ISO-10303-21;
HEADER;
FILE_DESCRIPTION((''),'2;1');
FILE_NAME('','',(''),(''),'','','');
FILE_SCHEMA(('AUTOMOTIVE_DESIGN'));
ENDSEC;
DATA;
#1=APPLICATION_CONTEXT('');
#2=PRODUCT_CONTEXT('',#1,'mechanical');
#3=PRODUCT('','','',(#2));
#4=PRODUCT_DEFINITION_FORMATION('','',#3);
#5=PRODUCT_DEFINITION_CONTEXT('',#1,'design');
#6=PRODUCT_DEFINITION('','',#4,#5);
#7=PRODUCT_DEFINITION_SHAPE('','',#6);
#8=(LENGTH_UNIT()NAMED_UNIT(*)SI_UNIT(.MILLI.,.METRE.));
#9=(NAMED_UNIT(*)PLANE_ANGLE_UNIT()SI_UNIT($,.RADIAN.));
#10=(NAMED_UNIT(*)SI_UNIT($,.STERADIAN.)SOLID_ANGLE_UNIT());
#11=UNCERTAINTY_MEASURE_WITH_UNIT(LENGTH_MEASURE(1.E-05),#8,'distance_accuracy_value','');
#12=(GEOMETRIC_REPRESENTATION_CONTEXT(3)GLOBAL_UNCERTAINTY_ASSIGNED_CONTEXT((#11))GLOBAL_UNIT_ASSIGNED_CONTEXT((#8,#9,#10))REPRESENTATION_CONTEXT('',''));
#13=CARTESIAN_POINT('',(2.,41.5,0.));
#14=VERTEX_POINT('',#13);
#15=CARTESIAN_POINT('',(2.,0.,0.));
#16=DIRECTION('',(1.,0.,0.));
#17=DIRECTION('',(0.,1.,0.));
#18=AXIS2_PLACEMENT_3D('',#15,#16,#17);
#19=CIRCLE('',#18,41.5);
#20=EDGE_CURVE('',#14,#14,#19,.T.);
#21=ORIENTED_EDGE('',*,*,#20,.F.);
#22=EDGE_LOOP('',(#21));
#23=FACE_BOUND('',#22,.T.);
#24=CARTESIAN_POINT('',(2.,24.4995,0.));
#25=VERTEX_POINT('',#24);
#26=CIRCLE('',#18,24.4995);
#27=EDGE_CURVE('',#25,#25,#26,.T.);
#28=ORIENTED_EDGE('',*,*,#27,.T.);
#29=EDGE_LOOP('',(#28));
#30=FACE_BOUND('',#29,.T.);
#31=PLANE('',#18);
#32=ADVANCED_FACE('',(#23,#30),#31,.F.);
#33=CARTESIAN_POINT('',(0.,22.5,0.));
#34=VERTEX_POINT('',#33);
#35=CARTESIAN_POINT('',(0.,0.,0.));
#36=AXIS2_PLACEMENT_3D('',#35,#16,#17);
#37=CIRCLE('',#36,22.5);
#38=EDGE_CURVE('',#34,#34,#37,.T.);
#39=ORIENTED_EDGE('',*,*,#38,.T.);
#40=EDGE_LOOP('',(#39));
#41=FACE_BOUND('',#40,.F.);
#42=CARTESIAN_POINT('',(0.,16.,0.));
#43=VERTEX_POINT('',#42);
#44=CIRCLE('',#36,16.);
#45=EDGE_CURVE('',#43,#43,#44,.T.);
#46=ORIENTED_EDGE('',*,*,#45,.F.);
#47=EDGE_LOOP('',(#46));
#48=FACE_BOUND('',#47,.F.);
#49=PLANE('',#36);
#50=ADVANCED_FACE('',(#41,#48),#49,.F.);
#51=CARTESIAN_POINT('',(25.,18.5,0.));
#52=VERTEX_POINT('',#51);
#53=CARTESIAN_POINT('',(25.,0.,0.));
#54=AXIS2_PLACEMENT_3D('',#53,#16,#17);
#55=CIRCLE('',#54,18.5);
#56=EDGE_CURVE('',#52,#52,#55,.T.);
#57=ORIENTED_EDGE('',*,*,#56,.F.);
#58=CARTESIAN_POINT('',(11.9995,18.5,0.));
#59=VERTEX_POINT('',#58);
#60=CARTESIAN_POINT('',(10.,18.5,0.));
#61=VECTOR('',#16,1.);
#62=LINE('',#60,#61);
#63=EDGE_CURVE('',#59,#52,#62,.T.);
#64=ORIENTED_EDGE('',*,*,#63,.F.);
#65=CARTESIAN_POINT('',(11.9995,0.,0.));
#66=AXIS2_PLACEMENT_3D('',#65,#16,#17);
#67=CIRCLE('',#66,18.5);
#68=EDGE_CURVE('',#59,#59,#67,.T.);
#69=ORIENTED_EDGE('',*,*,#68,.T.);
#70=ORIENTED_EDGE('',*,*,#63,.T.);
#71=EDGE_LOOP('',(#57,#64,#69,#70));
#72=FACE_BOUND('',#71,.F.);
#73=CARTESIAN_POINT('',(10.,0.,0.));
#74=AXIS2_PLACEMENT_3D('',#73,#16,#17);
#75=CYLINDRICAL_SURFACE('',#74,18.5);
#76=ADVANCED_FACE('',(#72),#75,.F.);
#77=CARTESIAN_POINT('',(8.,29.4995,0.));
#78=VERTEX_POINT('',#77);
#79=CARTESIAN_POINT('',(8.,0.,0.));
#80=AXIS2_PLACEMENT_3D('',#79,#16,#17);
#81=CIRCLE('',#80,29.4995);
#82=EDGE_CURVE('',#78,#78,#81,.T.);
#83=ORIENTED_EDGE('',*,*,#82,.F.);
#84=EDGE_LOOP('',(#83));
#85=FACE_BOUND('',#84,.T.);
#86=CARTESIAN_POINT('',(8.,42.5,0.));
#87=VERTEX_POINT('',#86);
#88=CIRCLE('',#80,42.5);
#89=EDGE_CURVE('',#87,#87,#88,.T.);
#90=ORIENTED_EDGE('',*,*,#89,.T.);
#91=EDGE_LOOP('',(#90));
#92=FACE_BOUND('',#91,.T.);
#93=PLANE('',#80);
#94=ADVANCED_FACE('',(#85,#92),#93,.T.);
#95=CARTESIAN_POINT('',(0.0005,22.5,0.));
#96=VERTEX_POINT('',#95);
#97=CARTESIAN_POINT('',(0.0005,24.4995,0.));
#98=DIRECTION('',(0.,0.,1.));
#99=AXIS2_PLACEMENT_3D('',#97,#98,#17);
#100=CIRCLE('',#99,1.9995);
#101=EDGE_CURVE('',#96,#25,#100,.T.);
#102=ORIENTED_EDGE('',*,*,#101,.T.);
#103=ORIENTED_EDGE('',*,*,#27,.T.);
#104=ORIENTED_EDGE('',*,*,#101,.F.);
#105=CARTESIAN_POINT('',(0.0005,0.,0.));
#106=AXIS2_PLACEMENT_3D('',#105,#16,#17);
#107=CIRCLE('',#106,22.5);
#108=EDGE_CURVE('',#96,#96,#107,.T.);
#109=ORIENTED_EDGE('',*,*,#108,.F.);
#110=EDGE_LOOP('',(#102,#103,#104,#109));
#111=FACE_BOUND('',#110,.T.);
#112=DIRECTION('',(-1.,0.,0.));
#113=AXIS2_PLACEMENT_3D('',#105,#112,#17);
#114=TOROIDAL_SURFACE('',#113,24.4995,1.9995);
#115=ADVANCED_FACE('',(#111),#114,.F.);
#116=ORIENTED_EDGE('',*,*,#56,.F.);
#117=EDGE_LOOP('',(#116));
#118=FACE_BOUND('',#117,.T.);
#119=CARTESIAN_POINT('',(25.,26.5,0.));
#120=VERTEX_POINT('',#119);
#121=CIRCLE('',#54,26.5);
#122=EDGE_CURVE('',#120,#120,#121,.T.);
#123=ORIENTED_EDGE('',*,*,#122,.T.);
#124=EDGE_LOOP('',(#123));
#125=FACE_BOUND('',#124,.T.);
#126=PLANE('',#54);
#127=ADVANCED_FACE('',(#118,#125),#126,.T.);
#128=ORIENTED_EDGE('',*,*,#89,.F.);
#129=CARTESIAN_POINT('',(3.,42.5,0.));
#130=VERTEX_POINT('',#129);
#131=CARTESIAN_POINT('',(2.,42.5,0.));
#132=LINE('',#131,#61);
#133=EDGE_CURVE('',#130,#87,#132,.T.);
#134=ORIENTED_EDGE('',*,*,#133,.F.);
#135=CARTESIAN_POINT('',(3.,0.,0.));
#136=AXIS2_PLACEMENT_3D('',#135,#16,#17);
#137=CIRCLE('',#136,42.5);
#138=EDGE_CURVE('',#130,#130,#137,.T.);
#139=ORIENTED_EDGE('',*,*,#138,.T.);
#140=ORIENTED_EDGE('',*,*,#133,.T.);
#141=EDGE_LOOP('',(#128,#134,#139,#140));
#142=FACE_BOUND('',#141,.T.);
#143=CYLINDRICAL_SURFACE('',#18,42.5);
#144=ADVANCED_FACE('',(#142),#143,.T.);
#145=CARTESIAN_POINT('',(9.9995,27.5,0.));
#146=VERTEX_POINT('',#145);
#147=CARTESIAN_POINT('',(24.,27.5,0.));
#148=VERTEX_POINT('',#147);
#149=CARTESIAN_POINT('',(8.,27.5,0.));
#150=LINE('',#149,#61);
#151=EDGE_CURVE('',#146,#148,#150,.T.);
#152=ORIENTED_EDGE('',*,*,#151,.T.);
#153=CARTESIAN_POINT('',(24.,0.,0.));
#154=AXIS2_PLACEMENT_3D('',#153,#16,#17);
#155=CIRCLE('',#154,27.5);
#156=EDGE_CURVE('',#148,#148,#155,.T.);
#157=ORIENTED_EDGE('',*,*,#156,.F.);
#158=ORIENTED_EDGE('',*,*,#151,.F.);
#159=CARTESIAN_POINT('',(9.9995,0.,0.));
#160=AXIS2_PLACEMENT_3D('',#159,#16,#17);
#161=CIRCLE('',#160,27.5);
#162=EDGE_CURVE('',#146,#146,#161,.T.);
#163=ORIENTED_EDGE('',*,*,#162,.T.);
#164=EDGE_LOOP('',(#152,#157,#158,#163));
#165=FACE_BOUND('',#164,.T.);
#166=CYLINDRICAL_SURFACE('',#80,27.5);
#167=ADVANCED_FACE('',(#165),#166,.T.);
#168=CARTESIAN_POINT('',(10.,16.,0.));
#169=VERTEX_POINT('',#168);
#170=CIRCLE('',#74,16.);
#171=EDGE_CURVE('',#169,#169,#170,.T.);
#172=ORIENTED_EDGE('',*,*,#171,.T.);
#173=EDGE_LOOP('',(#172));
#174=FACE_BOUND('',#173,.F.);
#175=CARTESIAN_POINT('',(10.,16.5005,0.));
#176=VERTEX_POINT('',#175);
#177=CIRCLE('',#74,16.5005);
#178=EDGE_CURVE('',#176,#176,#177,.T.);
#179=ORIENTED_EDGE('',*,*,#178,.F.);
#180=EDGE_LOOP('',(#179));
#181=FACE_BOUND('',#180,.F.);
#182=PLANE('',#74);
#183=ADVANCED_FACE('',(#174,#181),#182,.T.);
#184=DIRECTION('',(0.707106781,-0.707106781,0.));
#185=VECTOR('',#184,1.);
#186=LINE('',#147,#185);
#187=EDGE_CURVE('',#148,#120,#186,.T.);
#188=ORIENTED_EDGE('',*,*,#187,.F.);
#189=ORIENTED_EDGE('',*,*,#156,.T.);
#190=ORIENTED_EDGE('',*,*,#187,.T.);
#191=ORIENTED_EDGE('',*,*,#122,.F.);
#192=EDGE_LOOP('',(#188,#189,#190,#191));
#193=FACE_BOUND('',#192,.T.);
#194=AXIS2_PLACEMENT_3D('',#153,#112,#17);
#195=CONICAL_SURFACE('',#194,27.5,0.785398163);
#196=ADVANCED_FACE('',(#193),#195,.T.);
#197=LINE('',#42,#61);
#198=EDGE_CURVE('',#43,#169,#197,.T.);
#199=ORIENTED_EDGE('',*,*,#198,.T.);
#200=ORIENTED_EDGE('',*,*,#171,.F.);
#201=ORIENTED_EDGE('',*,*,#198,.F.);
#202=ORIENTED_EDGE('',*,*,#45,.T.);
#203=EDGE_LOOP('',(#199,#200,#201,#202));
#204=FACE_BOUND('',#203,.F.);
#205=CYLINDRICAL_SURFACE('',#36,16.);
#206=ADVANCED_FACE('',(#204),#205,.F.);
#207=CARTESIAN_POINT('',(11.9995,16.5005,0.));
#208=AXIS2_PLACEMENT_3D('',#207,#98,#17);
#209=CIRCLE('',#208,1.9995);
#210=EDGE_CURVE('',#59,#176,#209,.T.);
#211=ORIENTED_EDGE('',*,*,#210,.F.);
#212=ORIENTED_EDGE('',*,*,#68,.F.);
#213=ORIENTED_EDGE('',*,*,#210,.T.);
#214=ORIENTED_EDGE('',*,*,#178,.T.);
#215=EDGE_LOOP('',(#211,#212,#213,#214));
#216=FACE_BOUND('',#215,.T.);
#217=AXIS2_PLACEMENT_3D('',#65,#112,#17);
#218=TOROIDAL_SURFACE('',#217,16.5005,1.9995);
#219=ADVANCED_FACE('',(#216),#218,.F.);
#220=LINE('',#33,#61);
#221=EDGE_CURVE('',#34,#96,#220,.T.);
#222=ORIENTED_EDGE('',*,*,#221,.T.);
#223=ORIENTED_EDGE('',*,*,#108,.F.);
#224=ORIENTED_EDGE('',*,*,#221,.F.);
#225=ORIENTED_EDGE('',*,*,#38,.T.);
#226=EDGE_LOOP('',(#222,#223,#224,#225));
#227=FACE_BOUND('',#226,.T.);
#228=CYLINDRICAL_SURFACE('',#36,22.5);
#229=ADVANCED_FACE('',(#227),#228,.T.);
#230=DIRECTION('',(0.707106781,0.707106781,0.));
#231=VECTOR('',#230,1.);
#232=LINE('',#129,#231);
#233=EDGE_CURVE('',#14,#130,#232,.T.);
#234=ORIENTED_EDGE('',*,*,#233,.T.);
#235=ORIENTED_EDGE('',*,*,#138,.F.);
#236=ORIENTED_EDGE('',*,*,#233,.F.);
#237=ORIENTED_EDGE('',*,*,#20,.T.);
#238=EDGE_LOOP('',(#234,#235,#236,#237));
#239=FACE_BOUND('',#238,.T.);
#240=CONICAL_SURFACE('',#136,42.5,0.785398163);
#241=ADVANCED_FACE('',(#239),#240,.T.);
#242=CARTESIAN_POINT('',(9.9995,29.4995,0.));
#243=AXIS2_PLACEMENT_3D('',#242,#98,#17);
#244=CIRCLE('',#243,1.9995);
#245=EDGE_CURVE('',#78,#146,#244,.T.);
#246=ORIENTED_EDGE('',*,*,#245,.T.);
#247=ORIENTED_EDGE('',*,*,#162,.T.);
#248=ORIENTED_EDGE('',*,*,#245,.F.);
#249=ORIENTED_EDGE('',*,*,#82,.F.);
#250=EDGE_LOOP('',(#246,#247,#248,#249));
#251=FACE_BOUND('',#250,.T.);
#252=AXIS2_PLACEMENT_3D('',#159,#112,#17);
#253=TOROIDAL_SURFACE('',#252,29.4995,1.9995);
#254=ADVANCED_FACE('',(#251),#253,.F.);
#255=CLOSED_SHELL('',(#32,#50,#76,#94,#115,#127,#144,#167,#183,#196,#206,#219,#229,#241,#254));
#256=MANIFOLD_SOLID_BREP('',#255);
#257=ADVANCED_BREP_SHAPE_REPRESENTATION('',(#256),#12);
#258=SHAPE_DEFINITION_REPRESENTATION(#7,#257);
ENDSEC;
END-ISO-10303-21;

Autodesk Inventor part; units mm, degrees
ref_plane "YZ Plane" through (0, 0, 0) normal (1, 0, 0) x (0, 1, 0)
ref_plane "XZ Plane" through (0, 0, 0) normal (0, 1, 0) x (-1, 0, 0)
ref_plane "XY Plane" through (0, 0, 0) normal (0, 0, 1) x (1, 0, 0)
sketch "Sketch1" plane through (0, 0, 0) normal (0, 0, 1) x (1, 0, 0)
  line L0 (0, 0) -> (25.981, 0)
  line L1 (0, 16) -> (10, 16)
  line L2 (10, 16) -> (10, 18.5)
  line L3 (10, 18.5) -> (25, 18.5)
  line L4 (0, 22.5) -> (0, 16)
  line L5 (2, 22.5) -> (2, 42.5)
  line L6 (2, 42.5) -> (8, 42.5)
  line L7 (8, 42.5) -> (8, 27.5)
  line L8 (8, 27.5) -> (25, 27.5)
  line L9 (25, 27.5) -> (25, 18.5)
  line L10 (0, 22.5) -> (2, 22.5)
  dimension "d0" = 32
  dimension "d2" = 37
  dimension "d5" = 15
  dimension "d7" = 6
  dimension "d9" = 85
  dimension "d11" = 55
  dimension "d12" = 45
  dimension "d13" = 25
  dimension "d14" = 8
revolve "Revolution1" add sketch "Sketch1" angle 360 about axis through (0, 0, 0) along (1, 0, 0)
fillet "Fillet1" radius 2 3 edges at (2, -22.5, 0) (10, -18.5, 0) (8, -27.5, 0)
chamfer "Chamfer2" distance 1 angle 45 2 edges at (25, -27.5, 0) (2, -42.5, 0)
properties part number "CoverInput"
